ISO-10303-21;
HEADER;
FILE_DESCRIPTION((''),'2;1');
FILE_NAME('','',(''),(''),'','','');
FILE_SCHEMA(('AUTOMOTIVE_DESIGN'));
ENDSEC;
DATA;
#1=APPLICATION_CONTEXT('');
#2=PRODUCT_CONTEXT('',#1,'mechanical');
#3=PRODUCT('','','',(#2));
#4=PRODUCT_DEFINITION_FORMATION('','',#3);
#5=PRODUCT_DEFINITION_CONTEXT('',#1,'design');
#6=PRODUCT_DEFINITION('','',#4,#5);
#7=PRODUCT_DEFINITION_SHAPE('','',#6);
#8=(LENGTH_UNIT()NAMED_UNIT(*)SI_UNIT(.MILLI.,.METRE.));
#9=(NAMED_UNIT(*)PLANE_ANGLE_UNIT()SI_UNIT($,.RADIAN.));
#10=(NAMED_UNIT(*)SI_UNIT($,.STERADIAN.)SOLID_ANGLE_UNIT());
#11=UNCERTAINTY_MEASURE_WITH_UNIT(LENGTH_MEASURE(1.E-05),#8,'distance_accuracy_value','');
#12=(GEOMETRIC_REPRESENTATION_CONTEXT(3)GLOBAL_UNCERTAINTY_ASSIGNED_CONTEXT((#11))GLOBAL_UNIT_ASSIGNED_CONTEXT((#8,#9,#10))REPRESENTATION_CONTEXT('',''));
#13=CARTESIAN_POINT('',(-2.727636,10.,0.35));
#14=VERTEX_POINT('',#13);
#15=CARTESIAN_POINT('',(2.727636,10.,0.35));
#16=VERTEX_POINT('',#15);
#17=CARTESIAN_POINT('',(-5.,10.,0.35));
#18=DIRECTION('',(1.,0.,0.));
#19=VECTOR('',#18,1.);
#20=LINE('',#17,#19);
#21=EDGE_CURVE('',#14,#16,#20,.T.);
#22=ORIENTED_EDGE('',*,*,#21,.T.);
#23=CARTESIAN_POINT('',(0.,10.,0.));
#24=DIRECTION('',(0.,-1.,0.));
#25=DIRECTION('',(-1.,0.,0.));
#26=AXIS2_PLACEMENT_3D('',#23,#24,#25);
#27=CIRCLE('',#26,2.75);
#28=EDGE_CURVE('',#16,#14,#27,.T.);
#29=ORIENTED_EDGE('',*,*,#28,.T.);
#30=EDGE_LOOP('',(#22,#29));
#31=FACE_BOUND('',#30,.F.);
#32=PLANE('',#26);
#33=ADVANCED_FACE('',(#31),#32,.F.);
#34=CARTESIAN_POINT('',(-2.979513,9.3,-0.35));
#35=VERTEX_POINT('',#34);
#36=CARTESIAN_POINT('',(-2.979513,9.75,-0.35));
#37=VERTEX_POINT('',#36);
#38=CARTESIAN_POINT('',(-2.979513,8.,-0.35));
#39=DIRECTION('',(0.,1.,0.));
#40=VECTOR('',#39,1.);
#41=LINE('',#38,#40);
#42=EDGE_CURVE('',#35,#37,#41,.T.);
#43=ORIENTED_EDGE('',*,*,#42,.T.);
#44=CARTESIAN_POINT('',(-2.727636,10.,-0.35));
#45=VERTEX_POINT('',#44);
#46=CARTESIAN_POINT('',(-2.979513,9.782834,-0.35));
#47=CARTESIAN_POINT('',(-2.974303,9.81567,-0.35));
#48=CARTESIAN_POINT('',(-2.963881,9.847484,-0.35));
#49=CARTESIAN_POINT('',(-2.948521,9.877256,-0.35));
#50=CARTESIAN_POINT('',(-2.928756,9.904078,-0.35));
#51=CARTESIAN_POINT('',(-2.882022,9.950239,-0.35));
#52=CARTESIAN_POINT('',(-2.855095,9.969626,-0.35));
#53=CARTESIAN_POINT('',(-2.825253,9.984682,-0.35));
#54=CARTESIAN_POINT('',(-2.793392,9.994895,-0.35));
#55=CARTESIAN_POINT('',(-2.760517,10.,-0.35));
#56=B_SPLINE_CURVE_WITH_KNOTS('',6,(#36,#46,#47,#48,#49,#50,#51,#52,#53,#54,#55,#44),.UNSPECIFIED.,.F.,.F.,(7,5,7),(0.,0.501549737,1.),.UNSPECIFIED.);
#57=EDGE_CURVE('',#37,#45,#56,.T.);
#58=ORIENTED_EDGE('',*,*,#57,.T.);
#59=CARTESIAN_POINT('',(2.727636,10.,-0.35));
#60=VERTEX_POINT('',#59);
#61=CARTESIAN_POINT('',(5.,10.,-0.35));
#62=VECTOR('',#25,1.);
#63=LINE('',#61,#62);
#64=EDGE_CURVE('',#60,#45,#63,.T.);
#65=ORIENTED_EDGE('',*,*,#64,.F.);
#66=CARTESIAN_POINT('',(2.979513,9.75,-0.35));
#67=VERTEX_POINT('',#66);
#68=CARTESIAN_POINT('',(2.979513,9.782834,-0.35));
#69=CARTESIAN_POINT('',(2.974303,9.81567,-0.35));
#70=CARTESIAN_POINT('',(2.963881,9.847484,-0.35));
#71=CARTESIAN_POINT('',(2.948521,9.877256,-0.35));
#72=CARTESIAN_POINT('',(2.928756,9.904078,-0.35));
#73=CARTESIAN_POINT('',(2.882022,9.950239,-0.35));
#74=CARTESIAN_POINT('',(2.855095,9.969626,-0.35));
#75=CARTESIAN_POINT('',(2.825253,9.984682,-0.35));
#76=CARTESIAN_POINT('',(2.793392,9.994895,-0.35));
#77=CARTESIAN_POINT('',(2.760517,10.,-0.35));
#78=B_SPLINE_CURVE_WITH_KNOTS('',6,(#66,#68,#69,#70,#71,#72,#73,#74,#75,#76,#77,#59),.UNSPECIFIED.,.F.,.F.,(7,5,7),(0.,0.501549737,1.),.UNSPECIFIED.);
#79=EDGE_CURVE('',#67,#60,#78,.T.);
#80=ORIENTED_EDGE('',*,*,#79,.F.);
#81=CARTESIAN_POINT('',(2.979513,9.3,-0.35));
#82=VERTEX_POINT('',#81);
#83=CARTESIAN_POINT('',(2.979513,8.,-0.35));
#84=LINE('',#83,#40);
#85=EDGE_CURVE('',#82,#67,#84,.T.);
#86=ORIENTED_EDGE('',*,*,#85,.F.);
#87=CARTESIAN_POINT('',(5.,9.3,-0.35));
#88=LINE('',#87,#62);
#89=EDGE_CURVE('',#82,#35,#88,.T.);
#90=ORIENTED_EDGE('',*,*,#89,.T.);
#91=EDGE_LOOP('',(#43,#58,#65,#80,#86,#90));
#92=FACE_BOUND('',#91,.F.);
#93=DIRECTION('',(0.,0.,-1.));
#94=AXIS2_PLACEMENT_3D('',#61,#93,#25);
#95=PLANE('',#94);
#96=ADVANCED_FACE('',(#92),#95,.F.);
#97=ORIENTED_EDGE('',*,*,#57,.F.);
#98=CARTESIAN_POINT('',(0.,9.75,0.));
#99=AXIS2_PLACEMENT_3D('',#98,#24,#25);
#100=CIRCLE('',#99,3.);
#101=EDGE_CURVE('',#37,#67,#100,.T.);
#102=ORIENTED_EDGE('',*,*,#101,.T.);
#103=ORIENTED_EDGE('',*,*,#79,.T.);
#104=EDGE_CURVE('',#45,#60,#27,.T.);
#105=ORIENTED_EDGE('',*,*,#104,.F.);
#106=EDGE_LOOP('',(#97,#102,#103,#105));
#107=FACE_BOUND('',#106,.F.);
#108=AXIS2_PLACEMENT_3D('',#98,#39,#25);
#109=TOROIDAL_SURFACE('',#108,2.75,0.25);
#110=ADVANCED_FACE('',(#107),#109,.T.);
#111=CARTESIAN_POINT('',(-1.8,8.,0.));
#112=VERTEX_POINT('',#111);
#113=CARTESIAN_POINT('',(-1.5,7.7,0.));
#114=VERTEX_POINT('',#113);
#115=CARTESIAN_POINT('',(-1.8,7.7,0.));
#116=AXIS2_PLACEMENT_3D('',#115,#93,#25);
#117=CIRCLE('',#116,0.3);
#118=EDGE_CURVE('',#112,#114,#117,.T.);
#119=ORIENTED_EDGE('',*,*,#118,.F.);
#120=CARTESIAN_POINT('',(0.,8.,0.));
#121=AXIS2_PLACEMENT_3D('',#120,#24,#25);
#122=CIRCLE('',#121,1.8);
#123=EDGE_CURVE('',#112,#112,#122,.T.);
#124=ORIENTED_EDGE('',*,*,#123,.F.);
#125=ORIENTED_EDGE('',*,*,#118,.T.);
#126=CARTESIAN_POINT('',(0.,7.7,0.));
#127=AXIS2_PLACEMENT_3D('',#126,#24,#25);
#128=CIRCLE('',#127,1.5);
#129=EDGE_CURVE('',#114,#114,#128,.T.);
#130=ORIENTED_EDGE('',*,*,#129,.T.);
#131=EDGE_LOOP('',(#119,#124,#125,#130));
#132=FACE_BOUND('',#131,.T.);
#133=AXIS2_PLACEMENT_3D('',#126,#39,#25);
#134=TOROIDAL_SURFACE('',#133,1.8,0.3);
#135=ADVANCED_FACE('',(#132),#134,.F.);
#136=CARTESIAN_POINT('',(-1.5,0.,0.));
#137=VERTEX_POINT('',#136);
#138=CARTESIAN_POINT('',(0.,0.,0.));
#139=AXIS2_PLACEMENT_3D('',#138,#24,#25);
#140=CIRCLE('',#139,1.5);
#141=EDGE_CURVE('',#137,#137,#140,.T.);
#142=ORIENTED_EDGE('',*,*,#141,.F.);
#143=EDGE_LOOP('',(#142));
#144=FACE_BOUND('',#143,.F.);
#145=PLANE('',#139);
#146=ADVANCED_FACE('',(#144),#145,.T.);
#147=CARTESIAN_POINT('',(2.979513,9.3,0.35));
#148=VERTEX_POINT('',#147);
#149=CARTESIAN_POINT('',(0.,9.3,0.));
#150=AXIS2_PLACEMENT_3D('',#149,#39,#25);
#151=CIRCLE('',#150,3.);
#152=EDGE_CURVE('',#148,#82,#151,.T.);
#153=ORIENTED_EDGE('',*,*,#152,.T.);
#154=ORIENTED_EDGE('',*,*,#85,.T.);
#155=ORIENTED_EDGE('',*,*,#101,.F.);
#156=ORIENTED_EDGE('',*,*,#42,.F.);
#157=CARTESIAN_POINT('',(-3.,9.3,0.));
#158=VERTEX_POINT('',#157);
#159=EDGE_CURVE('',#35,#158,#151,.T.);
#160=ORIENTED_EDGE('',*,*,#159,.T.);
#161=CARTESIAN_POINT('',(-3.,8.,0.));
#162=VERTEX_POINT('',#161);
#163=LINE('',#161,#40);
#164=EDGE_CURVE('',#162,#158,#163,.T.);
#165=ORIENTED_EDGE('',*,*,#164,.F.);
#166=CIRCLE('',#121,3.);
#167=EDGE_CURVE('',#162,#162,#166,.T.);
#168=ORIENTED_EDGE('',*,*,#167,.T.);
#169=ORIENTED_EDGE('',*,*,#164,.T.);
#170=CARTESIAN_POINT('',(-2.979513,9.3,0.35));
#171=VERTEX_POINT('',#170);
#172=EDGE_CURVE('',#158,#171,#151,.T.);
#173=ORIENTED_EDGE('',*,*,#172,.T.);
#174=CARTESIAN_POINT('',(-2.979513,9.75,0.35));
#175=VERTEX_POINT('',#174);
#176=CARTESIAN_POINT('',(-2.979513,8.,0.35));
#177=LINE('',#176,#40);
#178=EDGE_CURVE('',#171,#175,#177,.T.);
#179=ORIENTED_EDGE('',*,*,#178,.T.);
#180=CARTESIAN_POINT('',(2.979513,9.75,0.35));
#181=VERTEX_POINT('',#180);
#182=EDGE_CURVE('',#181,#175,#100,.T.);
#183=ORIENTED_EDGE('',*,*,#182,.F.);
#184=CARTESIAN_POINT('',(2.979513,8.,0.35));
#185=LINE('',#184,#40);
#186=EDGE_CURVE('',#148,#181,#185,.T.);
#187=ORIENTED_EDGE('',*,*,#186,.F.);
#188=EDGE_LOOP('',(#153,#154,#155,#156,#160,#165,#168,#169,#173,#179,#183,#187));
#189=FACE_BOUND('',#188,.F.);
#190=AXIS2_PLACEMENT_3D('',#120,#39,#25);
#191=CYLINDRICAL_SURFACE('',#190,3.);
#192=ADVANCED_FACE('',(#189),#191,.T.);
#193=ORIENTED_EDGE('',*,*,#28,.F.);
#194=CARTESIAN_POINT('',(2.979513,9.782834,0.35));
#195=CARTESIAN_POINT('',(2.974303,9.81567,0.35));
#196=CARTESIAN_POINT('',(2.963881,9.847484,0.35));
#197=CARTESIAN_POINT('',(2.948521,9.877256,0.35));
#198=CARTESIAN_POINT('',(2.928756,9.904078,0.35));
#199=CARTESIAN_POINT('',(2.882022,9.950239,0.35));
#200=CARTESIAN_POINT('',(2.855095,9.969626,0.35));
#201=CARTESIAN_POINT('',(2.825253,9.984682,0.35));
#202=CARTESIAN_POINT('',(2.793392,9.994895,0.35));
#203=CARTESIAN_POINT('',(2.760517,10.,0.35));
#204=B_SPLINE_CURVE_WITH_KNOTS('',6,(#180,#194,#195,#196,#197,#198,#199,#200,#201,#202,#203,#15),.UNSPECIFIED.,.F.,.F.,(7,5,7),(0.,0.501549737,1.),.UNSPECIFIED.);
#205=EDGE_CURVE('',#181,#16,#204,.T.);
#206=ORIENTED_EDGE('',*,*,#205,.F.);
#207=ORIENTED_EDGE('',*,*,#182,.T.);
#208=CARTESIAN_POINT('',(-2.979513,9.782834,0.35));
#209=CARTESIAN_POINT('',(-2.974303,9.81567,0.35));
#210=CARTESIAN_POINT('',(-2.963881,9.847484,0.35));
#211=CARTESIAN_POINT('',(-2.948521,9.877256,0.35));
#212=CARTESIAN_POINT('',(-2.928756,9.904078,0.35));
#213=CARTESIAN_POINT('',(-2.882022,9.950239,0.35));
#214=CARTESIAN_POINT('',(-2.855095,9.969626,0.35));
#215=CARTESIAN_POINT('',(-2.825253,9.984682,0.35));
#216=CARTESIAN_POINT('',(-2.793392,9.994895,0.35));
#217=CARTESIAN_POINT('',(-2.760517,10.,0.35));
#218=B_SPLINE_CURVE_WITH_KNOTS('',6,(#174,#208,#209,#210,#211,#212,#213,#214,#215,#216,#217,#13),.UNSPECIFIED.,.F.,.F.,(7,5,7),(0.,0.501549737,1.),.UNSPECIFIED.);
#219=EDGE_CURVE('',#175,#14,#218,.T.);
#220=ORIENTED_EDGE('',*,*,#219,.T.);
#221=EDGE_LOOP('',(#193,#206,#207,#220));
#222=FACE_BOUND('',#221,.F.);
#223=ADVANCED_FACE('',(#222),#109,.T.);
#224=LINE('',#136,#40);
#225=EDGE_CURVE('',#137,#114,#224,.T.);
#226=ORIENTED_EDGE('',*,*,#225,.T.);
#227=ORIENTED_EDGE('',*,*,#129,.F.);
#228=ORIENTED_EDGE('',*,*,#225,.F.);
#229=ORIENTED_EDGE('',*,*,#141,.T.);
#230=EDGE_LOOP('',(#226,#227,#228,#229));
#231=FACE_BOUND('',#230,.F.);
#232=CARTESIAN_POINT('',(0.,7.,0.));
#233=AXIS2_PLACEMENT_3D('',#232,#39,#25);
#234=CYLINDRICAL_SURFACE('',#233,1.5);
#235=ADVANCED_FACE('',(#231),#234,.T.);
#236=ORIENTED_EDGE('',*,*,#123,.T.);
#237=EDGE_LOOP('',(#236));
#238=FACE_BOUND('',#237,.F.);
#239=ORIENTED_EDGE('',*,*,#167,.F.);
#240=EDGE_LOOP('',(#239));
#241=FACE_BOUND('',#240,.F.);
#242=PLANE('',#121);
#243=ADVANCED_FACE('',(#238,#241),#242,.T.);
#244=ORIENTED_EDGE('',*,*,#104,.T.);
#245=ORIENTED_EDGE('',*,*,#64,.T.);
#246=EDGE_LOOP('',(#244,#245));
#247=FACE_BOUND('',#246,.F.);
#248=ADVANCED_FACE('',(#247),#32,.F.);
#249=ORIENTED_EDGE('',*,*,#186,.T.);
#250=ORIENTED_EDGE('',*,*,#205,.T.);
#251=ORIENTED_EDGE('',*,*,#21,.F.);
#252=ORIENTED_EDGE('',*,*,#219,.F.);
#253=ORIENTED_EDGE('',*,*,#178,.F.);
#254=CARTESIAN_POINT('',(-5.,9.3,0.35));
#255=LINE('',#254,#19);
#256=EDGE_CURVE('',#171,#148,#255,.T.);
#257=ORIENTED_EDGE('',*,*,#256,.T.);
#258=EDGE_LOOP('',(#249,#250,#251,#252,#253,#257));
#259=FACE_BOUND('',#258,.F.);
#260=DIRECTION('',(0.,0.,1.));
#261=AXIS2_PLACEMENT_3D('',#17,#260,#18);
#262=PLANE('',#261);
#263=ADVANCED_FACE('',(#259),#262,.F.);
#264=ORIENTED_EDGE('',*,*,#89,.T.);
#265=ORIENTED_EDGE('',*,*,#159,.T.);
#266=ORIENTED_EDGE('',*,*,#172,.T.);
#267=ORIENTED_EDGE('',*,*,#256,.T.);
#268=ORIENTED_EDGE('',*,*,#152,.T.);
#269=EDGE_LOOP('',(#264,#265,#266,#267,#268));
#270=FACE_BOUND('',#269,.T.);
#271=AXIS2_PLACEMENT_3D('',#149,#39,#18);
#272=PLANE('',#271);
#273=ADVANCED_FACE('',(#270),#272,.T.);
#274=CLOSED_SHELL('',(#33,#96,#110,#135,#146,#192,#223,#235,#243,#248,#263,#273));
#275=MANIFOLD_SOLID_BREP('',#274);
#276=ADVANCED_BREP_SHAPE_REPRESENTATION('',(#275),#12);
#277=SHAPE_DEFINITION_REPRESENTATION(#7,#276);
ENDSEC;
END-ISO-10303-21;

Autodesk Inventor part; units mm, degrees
ref_plane "YZ Plane" through (0, 0, 0) normal (1, 0, 0) x (0, 1, 0)
ref_plane "XZ Plane" through (0, 0, 0) normal (0, 1, 0) x (-1, 0, 0)
ref_plane "XY Plane" through (0, 0, 0) normal (0, 0, 1) x (1, 0, 0)
sketch "Sketch1" plane through (0, 0, 0) normal (0, 0, 1) x (1, 0, 0)
  line L0 (0, 0) -> (-1.5, 0)
  line L1 (-1.5, 0) -> (-1.5, 7)
  line L2 (-1.5, 7) -> (-1.5, 7)
  line L3 (-1.5, 7) -> (-1.5, 8)
  line L4 (-1.5, 8) -> (-3, 8)
  line L5 (-3, 8) -> (-3, 10)
  line L6 (-3, 10) -> (0, 10)
  line L7 (0, 10) -> (0, 0)
  dimension "d0" = 2
  dimension "d1" = 3
  dimension "d2" = 1.5
  dimension "d3" = 0
  dimension "d4" = 1
  dimension "d5" = 10
  dimension "d6" = 90
revolve "Revolution1" add sketch "Sketch1" angle 360 about axis through (0, 10, 0) along (0, -1, 0)
thread "Thread1" size "M3x0.5" class "6g" standard "ANSI Metric M Profile" length 27
sketch "Sketch2" plane through (0, 10, 0) normal (0, 1, 0) x (1, 0, 0)
  line L0 (5, 0.35) -> (-5, 0.35)
  line L1 (-5, 0.35) -> (-5, -0.35)
  line L2 (-5, -0.35) -> (5, -0.35)
  line L3 (5, -0.35) -> (5, 0.35)
  line L4 (5, 0.35) -> (-5, -0.35) construction
  line L5 (-5, 0.35) -> (5, -0.35) construction
  point P0 (0, 0)
  dimension "d10" = 10
  dimension "d11" = 0.7
fillet "Fillet1" radius 0.25 1 edges at (3, 10, 0)
extrude "Extrusion2" cut sketch "Sketch2" against normal blind 0.7
fillet "Fillet2" radius 0.3 1 edges at (1.5, 8, 0)
properties part number "TorsionOscillator-Screw-M3-Brass-CheeseHead-8mm-Std" material "Brass, Soft Yellow"
